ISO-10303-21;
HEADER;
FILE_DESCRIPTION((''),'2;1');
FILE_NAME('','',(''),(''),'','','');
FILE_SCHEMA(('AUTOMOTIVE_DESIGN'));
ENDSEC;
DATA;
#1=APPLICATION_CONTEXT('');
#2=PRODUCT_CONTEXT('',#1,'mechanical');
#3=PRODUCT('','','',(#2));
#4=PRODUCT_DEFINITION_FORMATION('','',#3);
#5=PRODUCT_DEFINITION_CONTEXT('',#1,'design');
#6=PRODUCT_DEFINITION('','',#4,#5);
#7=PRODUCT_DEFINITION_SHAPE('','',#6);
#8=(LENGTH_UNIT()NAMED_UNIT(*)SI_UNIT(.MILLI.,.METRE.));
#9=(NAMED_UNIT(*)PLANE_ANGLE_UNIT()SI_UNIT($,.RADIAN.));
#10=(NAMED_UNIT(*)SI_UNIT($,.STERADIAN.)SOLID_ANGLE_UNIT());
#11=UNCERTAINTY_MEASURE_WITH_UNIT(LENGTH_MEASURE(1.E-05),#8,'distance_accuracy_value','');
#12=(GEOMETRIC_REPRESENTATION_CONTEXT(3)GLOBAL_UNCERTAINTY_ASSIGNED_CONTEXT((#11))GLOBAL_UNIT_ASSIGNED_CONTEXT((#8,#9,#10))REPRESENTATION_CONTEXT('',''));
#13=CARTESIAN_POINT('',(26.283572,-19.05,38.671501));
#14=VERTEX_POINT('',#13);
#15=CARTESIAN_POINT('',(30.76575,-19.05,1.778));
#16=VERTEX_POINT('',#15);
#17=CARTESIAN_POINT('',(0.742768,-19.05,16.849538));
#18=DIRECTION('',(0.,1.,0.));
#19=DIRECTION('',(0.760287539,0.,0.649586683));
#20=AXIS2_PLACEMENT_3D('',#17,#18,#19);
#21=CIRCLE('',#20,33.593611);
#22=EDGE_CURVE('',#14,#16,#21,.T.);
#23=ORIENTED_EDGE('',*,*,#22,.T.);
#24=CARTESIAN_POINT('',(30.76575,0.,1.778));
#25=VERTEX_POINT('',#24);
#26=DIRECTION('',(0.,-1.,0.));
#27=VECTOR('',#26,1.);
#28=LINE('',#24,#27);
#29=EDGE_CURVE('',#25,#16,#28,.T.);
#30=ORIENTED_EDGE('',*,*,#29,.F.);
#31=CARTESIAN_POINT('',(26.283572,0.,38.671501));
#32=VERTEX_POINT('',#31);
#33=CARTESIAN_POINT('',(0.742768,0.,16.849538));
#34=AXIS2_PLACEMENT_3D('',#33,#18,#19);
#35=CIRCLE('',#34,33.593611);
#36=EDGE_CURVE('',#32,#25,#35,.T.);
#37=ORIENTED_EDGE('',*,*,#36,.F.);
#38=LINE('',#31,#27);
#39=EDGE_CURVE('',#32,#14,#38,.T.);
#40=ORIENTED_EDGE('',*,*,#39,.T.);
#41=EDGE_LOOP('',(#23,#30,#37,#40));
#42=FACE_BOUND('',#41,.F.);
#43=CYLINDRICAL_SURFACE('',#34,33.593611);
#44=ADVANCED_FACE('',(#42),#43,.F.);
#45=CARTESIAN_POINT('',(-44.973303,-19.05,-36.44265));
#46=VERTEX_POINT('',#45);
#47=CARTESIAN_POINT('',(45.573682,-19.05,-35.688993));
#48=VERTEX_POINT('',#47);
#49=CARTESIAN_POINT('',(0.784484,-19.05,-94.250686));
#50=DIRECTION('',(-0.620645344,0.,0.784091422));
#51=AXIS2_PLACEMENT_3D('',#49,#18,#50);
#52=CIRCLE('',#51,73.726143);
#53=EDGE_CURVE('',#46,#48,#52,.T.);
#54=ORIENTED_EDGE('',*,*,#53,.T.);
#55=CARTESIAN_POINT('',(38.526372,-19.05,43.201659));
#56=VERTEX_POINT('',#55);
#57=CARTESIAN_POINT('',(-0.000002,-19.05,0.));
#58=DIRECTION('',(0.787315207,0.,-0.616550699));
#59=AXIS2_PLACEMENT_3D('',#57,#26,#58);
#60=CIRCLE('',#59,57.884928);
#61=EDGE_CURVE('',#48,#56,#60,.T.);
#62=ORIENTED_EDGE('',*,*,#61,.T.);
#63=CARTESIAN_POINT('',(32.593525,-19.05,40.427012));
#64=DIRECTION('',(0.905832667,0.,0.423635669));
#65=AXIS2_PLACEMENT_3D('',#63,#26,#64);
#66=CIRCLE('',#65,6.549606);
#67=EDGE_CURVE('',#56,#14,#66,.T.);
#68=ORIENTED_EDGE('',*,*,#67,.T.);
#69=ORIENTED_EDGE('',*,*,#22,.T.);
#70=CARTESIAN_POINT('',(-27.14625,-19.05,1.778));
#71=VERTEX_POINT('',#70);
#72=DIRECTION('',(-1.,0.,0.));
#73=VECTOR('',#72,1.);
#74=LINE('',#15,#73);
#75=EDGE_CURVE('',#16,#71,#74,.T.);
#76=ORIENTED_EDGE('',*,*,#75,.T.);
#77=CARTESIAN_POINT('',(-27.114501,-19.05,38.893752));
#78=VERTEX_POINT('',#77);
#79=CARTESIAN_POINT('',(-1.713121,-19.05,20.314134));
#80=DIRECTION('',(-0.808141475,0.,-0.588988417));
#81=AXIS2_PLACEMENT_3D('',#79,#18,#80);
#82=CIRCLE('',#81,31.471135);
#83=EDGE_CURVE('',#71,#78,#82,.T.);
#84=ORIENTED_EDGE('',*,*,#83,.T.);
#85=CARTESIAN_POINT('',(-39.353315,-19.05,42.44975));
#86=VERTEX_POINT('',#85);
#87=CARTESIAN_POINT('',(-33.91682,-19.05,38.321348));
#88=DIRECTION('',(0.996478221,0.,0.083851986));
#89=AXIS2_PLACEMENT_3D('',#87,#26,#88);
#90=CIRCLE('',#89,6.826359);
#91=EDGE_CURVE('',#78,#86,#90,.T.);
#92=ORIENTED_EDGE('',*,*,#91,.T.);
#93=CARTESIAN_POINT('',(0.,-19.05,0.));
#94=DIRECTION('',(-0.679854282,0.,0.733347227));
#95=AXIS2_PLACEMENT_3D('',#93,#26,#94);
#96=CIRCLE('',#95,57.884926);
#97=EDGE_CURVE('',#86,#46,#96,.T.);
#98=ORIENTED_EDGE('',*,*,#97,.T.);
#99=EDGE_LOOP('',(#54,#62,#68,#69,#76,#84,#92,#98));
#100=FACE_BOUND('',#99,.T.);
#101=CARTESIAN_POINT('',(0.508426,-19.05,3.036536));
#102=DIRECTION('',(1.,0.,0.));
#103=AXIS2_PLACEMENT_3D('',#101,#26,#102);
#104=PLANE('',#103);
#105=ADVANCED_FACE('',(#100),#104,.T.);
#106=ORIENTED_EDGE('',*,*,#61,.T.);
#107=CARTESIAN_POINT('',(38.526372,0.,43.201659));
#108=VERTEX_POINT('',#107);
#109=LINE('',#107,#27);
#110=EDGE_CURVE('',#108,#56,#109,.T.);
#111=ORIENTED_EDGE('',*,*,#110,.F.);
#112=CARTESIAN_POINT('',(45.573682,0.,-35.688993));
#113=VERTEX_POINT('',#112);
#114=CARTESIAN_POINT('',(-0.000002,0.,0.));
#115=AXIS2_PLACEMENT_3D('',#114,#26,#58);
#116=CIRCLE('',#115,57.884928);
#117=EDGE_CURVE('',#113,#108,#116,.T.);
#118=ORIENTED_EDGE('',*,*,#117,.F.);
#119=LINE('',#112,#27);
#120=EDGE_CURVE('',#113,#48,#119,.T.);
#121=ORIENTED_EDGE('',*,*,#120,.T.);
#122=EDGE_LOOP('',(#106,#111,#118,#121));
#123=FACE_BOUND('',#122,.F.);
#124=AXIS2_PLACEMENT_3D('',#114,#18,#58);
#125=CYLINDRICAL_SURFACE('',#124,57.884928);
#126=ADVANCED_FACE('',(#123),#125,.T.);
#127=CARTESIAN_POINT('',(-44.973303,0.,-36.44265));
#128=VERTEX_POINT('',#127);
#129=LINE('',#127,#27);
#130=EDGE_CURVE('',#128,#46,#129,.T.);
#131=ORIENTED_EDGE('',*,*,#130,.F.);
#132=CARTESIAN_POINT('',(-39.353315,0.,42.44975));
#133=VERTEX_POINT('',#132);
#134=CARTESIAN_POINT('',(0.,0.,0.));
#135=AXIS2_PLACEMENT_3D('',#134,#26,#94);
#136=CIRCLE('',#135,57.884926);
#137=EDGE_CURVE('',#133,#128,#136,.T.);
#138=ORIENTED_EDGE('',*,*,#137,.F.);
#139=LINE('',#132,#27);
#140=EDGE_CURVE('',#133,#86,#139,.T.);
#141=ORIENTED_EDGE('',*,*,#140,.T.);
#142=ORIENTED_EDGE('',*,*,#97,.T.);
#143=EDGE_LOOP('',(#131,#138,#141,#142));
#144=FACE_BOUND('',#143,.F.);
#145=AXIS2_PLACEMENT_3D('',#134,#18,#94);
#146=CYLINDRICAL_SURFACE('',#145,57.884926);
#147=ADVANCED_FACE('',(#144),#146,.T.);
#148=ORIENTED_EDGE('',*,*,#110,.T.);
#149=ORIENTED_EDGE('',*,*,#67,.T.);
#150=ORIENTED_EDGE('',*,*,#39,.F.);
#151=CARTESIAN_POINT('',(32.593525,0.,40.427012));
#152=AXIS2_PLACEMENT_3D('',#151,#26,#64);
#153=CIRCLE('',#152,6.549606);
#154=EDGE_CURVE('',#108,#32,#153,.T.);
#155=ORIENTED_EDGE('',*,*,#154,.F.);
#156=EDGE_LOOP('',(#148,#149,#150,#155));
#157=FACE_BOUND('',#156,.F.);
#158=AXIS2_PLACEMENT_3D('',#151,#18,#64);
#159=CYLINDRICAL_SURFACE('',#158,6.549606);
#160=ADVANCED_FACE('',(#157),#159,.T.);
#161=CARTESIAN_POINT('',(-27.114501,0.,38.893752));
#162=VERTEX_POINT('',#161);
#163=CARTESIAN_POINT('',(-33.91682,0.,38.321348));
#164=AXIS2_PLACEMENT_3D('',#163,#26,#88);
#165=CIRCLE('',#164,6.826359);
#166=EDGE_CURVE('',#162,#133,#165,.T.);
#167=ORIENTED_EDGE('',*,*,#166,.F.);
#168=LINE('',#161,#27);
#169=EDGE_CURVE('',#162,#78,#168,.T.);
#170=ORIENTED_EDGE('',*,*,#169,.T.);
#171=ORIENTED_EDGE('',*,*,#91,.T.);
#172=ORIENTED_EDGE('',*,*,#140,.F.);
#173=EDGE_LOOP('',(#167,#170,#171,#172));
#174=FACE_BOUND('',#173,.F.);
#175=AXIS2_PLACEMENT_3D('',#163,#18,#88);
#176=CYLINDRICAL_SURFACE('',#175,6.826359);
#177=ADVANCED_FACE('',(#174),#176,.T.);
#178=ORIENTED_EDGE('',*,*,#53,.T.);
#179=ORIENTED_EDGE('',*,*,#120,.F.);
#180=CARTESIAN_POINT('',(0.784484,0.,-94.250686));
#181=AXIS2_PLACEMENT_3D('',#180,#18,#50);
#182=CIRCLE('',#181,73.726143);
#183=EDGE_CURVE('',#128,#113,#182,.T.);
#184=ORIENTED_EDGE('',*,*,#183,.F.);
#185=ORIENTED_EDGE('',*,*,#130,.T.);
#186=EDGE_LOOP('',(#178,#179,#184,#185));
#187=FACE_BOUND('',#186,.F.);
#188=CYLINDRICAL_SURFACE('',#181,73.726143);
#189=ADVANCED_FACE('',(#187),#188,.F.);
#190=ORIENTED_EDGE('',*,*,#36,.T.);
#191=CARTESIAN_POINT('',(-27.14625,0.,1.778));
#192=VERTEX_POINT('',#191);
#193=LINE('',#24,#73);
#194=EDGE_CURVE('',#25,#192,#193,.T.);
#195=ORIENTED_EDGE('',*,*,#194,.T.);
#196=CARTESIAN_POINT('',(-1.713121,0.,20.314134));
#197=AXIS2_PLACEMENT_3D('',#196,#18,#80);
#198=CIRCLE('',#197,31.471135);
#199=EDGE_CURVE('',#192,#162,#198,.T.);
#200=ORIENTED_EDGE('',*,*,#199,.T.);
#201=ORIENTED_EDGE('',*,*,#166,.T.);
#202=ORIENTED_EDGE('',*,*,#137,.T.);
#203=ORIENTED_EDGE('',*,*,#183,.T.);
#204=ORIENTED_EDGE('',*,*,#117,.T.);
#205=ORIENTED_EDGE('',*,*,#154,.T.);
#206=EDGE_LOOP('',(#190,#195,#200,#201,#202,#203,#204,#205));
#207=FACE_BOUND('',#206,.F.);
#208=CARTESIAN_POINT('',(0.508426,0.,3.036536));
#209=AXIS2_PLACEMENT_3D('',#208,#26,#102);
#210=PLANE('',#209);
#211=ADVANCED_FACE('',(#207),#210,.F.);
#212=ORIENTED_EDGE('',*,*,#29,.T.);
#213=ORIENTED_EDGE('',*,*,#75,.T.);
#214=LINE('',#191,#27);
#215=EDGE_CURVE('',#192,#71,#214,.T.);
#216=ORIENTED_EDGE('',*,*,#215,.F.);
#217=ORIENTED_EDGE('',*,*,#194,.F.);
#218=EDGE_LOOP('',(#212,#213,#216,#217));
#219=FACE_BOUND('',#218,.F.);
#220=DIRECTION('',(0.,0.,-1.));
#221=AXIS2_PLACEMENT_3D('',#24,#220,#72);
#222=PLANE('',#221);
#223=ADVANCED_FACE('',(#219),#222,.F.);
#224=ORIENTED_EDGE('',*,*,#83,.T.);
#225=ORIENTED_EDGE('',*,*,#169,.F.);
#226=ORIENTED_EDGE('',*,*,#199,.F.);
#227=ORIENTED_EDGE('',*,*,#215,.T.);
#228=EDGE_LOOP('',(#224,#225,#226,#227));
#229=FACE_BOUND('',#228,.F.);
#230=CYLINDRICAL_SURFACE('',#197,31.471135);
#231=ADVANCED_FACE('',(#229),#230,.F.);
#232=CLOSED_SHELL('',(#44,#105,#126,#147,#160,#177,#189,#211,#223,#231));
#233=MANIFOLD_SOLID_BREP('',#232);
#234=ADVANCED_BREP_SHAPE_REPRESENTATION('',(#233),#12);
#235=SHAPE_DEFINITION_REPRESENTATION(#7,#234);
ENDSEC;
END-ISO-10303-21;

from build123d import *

# Parameters (mm, degrees)
F0_W     = 7.112
F0_H     = 7.316239
F1_DEPTH = 19.05


with BuildPart() as f1:
    # F0 (on Front) → F1 (new body)
    with BuildSketch(Plane.XZ):
        with BuildLine():
            ThreePointArc((-27.114501, 38.893752), (-32.012181, 44.876616), (-39.353315, 42.44975))
            ThreePointArc((-39.353315, 42.44975), (-57.738612, 4.113074), (-44.973303, -36.44265))
            ThreePointArc((-44.973303, -36.44265), (0.170855, -20.527097), (45.573682, -35.688993))
            ThreePointArc((45.573682, -35.688993), (57.655342, 5.150357), (38.526372, 43.201659))
            ThreePointArc((38.526372, 43.201659), (30.320612, 46.569585), (26.283572, 38.671501))
            ThreePointArc((26.283572, 38.671501), (34.091174, 20.901024), (30.76575, 1.778))
            Line((30.76575, 1.778), (-14.44625, 1.778))
            Line((-14.44625, 1.778), (-27.14625, 1.778))
            ThreePointArc((-27.14625, 1.778), (-33.184244, 20.341054), (-27.114501, 38.893752))
        make_face()
        with Locations((1.80975, -8.780336)):
            Rectangle(F0_W, F0_H, mode=Mode.SUBTRACT)
        with Locations((1.80975, -8.780336)):
            Rectangle(F0_W, F0_H)
    extrude(amount=F1_DEPTH)


solid = f1.part
